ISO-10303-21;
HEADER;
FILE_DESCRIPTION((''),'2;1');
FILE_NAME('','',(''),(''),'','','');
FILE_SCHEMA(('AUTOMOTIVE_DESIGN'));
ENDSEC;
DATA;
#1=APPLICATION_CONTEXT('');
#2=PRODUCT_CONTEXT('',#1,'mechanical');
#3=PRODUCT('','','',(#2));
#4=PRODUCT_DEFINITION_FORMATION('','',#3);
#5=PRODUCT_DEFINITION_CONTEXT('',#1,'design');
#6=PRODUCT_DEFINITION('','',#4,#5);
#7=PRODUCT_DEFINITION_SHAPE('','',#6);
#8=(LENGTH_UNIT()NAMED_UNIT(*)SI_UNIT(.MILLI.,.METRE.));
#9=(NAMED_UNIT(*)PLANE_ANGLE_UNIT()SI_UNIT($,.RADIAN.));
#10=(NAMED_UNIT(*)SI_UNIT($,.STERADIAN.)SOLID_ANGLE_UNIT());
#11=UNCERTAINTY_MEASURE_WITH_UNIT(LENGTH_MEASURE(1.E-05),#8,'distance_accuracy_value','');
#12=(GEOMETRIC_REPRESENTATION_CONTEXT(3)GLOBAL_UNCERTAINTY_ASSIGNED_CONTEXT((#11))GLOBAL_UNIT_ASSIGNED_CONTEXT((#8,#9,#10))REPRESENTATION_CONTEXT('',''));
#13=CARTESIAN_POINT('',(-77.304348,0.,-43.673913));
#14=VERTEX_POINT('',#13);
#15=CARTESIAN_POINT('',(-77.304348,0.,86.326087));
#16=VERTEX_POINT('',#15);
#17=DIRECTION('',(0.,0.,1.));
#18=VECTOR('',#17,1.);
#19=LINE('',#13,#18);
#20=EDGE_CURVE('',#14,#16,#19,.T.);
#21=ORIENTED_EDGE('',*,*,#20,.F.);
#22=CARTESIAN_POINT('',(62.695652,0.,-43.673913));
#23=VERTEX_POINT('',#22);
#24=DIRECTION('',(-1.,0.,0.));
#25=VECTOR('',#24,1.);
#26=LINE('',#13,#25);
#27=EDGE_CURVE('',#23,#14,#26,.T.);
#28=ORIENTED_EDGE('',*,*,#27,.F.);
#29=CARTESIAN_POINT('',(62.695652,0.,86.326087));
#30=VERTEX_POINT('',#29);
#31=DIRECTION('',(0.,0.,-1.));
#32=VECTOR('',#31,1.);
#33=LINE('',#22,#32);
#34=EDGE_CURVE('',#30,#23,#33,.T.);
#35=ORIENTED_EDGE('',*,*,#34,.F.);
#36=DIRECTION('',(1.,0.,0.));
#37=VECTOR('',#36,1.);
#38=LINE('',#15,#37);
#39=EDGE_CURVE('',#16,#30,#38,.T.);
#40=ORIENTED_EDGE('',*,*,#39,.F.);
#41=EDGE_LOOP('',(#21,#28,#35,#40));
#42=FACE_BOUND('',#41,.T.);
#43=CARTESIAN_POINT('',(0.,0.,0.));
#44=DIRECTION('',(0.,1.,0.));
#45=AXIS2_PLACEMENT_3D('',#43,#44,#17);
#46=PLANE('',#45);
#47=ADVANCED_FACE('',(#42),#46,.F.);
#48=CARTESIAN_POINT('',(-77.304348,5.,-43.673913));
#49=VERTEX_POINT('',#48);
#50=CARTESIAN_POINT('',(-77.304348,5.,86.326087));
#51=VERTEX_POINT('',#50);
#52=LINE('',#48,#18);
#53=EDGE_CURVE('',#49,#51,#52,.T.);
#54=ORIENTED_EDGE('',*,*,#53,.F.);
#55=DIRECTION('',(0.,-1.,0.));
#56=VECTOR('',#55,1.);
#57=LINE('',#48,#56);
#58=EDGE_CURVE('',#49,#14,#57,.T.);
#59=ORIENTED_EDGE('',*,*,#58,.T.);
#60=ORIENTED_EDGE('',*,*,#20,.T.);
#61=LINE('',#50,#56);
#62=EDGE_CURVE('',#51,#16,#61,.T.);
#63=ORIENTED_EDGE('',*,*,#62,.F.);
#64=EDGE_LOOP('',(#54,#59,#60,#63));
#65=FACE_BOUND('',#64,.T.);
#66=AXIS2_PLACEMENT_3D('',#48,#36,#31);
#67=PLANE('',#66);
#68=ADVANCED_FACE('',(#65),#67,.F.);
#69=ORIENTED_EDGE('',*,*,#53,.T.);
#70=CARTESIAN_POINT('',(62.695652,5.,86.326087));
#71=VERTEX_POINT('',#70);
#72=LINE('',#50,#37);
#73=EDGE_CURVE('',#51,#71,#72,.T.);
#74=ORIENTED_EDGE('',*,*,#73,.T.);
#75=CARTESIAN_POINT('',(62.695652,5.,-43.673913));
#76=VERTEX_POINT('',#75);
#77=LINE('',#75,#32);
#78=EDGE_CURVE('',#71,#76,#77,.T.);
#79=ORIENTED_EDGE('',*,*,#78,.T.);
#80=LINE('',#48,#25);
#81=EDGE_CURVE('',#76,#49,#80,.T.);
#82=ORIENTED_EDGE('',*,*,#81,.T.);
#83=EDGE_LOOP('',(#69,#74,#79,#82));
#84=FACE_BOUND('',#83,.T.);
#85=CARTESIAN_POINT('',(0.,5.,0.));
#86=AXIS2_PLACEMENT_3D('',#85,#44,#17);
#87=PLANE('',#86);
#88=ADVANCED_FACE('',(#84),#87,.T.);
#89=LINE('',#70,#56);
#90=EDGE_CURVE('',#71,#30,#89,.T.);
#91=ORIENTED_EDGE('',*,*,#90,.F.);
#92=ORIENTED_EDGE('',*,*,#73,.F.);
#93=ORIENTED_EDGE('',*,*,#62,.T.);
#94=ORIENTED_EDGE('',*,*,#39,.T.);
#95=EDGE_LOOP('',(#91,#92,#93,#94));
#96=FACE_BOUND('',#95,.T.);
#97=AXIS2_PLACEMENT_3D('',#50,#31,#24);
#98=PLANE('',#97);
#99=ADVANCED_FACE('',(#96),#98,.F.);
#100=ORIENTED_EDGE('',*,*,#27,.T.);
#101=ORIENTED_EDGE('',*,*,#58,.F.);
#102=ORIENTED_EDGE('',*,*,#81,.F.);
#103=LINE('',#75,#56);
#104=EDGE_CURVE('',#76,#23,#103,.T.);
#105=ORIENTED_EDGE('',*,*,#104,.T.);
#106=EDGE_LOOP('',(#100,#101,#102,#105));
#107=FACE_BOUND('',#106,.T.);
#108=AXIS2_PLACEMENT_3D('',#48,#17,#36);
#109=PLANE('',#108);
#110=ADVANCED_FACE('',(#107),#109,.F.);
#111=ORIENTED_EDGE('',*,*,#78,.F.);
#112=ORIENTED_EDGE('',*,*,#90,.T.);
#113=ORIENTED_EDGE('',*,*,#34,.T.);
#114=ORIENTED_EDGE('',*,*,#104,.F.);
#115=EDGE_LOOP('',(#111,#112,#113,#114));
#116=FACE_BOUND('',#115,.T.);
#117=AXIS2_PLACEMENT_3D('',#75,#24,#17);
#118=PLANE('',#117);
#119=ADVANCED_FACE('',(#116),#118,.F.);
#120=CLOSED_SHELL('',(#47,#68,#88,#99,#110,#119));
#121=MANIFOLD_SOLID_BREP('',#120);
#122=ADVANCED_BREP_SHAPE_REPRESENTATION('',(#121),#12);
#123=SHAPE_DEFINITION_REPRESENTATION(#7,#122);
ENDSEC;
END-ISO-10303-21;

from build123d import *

# Parameters (mm, degrees)
SKETCH1_W           = 140
SKETCH1_H           = 130
BOSS_EXTRUDE1_DEPTH = 5


with BuildPart() as part:
    # Sketch1 → Boss-Extrude1 (new body)
    with BuildSketch(Plane(origin=(0, 0, 0), x_dir=(1, 0, 0), z_dir=(0, 1, 0))):
        with Locations((-7.304347826, -21.326086957)):
            Rectangle(SKETCH1_W, SKETCH1_H)
    extrude(amount=BOSS_EXTRUDE1_DEPTH)


solid = part.part
